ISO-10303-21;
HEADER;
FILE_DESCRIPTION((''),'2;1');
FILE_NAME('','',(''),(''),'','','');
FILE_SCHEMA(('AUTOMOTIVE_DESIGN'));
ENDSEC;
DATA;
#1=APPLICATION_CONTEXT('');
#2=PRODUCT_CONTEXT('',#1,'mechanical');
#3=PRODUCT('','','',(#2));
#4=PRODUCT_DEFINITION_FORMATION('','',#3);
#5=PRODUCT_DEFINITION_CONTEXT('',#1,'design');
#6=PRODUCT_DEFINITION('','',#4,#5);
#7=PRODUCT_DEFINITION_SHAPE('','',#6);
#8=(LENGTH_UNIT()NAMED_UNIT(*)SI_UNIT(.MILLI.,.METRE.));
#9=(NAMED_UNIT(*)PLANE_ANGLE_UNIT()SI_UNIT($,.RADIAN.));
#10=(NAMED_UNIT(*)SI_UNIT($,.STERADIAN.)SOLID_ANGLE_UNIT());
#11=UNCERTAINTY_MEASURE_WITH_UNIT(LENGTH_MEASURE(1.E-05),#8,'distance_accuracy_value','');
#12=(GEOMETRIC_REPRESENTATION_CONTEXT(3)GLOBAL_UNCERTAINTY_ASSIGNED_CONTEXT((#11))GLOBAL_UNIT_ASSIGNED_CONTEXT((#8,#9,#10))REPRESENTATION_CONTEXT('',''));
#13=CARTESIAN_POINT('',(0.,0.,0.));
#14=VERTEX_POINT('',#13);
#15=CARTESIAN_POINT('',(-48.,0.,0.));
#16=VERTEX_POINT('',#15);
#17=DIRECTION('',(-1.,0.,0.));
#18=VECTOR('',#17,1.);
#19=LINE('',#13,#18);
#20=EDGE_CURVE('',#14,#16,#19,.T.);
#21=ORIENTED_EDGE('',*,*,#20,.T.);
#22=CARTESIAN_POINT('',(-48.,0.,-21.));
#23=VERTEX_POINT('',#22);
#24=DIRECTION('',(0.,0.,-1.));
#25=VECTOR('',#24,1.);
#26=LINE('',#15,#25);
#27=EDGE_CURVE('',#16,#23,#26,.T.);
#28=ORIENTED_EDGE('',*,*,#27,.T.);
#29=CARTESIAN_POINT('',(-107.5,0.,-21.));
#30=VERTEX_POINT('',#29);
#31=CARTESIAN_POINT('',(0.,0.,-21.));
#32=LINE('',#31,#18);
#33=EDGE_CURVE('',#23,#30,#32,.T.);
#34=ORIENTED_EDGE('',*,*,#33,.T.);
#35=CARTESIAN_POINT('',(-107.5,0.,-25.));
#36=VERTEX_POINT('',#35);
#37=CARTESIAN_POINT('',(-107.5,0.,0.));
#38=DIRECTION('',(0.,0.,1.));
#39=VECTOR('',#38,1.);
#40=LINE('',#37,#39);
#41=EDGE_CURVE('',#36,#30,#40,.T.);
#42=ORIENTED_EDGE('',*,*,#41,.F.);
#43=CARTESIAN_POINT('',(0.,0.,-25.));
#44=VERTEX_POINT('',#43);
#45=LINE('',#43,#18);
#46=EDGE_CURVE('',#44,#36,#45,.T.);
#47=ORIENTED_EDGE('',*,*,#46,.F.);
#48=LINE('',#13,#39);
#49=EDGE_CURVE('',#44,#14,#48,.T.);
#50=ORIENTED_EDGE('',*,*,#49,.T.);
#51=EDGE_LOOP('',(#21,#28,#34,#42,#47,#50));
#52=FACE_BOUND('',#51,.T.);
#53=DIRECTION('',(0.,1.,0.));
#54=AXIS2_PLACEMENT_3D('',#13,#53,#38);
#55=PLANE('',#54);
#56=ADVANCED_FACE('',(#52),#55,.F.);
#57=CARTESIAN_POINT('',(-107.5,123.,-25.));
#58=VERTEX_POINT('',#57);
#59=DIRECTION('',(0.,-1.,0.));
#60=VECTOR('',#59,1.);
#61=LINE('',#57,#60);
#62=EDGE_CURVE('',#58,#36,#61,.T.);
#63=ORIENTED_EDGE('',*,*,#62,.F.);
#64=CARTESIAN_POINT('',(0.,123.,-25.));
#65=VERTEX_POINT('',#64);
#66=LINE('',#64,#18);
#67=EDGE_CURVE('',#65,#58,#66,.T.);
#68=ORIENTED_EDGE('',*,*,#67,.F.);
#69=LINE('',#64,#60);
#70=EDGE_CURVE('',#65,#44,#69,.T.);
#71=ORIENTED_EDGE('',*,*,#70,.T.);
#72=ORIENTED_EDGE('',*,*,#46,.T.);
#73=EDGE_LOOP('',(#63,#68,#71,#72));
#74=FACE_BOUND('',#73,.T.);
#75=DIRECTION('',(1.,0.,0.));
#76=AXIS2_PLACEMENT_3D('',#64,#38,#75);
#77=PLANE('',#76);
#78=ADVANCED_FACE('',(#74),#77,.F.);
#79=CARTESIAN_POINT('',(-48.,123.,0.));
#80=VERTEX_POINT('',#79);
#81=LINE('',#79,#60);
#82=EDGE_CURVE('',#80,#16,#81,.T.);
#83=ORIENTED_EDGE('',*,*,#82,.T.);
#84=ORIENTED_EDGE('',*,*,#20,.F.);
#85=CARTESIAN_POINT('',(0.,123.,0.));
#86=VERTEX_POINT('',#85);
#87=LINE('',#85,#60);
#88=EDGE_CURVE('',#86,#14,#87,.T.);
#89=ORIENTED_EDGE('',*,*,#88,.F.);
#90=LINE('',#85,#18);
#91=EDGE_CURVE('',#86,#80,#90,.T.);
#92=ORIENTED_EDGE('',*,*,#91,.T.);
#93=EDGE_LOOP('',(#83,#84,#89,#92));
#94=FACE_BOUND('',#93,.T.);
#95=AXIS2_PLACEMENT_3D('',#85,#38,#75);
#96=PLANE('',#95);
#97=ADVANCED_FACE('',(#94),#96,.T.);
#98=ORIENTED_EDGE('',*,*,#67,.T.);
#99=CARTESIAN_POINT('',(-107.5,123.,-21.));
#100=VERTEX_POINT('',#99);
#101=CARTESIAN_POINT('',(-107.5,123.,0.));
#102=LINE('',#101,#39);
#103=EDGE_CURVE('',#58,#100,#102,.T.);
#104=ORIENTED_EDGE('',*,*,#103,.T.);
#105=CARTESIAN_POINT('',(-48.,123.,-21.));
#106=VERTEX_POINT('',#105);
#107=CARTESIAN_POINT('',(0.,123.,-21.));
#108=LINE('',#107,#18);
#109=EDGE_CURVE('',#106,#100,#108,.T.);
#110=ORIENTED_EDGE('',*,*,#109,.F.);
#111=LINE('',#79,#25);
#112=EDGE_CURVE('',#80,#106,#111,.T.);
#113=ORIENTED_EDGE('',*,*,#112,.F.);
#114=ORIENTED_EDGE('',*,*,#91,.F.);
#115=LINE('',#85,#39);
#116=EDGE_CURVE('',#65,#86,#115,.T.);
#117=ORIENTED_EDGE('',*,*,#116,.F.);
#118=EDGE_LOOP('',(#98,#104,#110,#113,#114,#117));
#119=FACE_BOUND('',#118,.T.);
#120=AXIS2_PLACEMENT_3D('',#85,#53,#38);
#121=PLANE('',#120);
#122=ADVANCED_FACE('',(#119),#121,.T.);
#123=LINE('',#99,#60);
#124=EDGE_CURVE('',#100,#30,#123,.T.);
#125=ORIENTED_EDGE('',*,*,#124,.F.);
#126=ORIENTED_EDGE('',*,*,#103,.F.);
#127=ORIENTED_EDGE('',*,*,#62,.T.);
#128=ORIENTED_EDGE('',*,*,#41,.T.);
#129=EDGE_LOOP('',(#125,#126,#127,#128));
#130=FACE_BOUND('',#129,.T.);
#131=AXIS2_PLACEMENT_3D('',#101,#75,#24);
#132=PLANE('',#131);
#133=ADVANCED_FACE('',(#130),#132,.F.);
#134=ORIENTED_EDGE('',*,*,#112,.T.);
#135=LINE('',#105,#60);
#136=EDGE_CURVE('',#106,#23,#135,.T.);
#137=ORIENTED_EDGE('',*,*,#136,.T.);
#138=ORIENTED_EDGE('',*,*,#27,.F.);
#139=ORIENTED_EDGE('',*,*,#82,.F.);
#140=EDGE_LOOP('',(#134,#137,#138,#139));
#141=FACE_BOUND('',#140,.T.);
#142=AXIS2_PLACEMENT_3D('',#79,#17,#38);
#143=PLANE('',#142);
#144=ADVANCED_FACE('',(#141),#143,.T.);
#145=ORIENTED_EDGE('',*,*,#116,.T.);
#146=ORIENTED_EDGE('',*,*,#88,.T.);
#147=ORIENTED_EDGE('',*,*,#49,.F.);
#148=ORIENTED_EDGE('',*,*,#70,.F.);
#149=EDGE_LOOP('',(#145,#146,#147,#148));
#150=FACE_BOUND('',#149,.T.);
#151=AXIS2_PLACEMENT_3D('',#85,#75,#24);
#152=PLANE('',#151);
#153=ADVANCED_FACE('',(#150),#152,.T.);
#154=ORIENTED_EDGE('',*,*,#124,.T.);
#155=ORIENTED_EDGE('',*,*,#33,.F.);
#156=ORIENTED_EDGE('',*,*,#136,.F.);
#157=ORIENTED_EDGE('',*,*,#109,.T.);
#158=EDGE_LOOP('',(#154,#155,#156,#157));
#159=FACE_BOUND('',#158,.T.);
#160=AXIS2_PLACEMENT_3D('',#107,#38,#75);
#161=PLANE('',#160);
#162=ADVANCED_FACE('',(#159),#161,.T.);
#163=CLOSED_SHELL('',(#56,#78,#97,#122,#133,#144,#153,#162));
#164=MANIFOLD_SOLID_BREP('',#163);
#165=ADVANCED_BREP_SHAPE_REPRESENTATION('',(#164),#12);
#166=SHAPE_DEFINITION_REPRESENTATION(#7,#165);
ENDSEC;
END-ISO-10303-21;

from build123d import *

# Parameters (mm, degrees)
SKETCH1_W           = 59.5
SKETCH1_H           = 4
SKETCH1_W_2         = 4
SKETCH1_W_3         = 44
BOSS_EXTRUDE1_DEPTH = 123


with BuildPart() as part:
    # Sketch1 → Boss-Extrude1 (new body)
    with BuildSketch(Plane(origin=(0, 0, 0), x_dir=(1, 0, 0), z_dir=(0, 1, 0))):
        with Locations((-77.75, 23)):
            Rectangle(SKETCH1_W, SKETCH1_H)
        with Locations((-46, 23)):
            Rectangle(SKETCH1_W_2, SKETCH1_H)
        Polygon((-48, 0), (-44, 0), (-44, 4), (-44, 21), (-48, 21), align=None)
        with Locations((-22, 2)):
            Rectangle(SKETCH1_W_3, SKETCH1_H)
        Polygon((-44, 4), (0, 4), (0, 25), (-44, 25), (-44, 21), align=None)
    extrude(amount=BOSS_EXTRUDE1_DEPTH)


solid = part.part
